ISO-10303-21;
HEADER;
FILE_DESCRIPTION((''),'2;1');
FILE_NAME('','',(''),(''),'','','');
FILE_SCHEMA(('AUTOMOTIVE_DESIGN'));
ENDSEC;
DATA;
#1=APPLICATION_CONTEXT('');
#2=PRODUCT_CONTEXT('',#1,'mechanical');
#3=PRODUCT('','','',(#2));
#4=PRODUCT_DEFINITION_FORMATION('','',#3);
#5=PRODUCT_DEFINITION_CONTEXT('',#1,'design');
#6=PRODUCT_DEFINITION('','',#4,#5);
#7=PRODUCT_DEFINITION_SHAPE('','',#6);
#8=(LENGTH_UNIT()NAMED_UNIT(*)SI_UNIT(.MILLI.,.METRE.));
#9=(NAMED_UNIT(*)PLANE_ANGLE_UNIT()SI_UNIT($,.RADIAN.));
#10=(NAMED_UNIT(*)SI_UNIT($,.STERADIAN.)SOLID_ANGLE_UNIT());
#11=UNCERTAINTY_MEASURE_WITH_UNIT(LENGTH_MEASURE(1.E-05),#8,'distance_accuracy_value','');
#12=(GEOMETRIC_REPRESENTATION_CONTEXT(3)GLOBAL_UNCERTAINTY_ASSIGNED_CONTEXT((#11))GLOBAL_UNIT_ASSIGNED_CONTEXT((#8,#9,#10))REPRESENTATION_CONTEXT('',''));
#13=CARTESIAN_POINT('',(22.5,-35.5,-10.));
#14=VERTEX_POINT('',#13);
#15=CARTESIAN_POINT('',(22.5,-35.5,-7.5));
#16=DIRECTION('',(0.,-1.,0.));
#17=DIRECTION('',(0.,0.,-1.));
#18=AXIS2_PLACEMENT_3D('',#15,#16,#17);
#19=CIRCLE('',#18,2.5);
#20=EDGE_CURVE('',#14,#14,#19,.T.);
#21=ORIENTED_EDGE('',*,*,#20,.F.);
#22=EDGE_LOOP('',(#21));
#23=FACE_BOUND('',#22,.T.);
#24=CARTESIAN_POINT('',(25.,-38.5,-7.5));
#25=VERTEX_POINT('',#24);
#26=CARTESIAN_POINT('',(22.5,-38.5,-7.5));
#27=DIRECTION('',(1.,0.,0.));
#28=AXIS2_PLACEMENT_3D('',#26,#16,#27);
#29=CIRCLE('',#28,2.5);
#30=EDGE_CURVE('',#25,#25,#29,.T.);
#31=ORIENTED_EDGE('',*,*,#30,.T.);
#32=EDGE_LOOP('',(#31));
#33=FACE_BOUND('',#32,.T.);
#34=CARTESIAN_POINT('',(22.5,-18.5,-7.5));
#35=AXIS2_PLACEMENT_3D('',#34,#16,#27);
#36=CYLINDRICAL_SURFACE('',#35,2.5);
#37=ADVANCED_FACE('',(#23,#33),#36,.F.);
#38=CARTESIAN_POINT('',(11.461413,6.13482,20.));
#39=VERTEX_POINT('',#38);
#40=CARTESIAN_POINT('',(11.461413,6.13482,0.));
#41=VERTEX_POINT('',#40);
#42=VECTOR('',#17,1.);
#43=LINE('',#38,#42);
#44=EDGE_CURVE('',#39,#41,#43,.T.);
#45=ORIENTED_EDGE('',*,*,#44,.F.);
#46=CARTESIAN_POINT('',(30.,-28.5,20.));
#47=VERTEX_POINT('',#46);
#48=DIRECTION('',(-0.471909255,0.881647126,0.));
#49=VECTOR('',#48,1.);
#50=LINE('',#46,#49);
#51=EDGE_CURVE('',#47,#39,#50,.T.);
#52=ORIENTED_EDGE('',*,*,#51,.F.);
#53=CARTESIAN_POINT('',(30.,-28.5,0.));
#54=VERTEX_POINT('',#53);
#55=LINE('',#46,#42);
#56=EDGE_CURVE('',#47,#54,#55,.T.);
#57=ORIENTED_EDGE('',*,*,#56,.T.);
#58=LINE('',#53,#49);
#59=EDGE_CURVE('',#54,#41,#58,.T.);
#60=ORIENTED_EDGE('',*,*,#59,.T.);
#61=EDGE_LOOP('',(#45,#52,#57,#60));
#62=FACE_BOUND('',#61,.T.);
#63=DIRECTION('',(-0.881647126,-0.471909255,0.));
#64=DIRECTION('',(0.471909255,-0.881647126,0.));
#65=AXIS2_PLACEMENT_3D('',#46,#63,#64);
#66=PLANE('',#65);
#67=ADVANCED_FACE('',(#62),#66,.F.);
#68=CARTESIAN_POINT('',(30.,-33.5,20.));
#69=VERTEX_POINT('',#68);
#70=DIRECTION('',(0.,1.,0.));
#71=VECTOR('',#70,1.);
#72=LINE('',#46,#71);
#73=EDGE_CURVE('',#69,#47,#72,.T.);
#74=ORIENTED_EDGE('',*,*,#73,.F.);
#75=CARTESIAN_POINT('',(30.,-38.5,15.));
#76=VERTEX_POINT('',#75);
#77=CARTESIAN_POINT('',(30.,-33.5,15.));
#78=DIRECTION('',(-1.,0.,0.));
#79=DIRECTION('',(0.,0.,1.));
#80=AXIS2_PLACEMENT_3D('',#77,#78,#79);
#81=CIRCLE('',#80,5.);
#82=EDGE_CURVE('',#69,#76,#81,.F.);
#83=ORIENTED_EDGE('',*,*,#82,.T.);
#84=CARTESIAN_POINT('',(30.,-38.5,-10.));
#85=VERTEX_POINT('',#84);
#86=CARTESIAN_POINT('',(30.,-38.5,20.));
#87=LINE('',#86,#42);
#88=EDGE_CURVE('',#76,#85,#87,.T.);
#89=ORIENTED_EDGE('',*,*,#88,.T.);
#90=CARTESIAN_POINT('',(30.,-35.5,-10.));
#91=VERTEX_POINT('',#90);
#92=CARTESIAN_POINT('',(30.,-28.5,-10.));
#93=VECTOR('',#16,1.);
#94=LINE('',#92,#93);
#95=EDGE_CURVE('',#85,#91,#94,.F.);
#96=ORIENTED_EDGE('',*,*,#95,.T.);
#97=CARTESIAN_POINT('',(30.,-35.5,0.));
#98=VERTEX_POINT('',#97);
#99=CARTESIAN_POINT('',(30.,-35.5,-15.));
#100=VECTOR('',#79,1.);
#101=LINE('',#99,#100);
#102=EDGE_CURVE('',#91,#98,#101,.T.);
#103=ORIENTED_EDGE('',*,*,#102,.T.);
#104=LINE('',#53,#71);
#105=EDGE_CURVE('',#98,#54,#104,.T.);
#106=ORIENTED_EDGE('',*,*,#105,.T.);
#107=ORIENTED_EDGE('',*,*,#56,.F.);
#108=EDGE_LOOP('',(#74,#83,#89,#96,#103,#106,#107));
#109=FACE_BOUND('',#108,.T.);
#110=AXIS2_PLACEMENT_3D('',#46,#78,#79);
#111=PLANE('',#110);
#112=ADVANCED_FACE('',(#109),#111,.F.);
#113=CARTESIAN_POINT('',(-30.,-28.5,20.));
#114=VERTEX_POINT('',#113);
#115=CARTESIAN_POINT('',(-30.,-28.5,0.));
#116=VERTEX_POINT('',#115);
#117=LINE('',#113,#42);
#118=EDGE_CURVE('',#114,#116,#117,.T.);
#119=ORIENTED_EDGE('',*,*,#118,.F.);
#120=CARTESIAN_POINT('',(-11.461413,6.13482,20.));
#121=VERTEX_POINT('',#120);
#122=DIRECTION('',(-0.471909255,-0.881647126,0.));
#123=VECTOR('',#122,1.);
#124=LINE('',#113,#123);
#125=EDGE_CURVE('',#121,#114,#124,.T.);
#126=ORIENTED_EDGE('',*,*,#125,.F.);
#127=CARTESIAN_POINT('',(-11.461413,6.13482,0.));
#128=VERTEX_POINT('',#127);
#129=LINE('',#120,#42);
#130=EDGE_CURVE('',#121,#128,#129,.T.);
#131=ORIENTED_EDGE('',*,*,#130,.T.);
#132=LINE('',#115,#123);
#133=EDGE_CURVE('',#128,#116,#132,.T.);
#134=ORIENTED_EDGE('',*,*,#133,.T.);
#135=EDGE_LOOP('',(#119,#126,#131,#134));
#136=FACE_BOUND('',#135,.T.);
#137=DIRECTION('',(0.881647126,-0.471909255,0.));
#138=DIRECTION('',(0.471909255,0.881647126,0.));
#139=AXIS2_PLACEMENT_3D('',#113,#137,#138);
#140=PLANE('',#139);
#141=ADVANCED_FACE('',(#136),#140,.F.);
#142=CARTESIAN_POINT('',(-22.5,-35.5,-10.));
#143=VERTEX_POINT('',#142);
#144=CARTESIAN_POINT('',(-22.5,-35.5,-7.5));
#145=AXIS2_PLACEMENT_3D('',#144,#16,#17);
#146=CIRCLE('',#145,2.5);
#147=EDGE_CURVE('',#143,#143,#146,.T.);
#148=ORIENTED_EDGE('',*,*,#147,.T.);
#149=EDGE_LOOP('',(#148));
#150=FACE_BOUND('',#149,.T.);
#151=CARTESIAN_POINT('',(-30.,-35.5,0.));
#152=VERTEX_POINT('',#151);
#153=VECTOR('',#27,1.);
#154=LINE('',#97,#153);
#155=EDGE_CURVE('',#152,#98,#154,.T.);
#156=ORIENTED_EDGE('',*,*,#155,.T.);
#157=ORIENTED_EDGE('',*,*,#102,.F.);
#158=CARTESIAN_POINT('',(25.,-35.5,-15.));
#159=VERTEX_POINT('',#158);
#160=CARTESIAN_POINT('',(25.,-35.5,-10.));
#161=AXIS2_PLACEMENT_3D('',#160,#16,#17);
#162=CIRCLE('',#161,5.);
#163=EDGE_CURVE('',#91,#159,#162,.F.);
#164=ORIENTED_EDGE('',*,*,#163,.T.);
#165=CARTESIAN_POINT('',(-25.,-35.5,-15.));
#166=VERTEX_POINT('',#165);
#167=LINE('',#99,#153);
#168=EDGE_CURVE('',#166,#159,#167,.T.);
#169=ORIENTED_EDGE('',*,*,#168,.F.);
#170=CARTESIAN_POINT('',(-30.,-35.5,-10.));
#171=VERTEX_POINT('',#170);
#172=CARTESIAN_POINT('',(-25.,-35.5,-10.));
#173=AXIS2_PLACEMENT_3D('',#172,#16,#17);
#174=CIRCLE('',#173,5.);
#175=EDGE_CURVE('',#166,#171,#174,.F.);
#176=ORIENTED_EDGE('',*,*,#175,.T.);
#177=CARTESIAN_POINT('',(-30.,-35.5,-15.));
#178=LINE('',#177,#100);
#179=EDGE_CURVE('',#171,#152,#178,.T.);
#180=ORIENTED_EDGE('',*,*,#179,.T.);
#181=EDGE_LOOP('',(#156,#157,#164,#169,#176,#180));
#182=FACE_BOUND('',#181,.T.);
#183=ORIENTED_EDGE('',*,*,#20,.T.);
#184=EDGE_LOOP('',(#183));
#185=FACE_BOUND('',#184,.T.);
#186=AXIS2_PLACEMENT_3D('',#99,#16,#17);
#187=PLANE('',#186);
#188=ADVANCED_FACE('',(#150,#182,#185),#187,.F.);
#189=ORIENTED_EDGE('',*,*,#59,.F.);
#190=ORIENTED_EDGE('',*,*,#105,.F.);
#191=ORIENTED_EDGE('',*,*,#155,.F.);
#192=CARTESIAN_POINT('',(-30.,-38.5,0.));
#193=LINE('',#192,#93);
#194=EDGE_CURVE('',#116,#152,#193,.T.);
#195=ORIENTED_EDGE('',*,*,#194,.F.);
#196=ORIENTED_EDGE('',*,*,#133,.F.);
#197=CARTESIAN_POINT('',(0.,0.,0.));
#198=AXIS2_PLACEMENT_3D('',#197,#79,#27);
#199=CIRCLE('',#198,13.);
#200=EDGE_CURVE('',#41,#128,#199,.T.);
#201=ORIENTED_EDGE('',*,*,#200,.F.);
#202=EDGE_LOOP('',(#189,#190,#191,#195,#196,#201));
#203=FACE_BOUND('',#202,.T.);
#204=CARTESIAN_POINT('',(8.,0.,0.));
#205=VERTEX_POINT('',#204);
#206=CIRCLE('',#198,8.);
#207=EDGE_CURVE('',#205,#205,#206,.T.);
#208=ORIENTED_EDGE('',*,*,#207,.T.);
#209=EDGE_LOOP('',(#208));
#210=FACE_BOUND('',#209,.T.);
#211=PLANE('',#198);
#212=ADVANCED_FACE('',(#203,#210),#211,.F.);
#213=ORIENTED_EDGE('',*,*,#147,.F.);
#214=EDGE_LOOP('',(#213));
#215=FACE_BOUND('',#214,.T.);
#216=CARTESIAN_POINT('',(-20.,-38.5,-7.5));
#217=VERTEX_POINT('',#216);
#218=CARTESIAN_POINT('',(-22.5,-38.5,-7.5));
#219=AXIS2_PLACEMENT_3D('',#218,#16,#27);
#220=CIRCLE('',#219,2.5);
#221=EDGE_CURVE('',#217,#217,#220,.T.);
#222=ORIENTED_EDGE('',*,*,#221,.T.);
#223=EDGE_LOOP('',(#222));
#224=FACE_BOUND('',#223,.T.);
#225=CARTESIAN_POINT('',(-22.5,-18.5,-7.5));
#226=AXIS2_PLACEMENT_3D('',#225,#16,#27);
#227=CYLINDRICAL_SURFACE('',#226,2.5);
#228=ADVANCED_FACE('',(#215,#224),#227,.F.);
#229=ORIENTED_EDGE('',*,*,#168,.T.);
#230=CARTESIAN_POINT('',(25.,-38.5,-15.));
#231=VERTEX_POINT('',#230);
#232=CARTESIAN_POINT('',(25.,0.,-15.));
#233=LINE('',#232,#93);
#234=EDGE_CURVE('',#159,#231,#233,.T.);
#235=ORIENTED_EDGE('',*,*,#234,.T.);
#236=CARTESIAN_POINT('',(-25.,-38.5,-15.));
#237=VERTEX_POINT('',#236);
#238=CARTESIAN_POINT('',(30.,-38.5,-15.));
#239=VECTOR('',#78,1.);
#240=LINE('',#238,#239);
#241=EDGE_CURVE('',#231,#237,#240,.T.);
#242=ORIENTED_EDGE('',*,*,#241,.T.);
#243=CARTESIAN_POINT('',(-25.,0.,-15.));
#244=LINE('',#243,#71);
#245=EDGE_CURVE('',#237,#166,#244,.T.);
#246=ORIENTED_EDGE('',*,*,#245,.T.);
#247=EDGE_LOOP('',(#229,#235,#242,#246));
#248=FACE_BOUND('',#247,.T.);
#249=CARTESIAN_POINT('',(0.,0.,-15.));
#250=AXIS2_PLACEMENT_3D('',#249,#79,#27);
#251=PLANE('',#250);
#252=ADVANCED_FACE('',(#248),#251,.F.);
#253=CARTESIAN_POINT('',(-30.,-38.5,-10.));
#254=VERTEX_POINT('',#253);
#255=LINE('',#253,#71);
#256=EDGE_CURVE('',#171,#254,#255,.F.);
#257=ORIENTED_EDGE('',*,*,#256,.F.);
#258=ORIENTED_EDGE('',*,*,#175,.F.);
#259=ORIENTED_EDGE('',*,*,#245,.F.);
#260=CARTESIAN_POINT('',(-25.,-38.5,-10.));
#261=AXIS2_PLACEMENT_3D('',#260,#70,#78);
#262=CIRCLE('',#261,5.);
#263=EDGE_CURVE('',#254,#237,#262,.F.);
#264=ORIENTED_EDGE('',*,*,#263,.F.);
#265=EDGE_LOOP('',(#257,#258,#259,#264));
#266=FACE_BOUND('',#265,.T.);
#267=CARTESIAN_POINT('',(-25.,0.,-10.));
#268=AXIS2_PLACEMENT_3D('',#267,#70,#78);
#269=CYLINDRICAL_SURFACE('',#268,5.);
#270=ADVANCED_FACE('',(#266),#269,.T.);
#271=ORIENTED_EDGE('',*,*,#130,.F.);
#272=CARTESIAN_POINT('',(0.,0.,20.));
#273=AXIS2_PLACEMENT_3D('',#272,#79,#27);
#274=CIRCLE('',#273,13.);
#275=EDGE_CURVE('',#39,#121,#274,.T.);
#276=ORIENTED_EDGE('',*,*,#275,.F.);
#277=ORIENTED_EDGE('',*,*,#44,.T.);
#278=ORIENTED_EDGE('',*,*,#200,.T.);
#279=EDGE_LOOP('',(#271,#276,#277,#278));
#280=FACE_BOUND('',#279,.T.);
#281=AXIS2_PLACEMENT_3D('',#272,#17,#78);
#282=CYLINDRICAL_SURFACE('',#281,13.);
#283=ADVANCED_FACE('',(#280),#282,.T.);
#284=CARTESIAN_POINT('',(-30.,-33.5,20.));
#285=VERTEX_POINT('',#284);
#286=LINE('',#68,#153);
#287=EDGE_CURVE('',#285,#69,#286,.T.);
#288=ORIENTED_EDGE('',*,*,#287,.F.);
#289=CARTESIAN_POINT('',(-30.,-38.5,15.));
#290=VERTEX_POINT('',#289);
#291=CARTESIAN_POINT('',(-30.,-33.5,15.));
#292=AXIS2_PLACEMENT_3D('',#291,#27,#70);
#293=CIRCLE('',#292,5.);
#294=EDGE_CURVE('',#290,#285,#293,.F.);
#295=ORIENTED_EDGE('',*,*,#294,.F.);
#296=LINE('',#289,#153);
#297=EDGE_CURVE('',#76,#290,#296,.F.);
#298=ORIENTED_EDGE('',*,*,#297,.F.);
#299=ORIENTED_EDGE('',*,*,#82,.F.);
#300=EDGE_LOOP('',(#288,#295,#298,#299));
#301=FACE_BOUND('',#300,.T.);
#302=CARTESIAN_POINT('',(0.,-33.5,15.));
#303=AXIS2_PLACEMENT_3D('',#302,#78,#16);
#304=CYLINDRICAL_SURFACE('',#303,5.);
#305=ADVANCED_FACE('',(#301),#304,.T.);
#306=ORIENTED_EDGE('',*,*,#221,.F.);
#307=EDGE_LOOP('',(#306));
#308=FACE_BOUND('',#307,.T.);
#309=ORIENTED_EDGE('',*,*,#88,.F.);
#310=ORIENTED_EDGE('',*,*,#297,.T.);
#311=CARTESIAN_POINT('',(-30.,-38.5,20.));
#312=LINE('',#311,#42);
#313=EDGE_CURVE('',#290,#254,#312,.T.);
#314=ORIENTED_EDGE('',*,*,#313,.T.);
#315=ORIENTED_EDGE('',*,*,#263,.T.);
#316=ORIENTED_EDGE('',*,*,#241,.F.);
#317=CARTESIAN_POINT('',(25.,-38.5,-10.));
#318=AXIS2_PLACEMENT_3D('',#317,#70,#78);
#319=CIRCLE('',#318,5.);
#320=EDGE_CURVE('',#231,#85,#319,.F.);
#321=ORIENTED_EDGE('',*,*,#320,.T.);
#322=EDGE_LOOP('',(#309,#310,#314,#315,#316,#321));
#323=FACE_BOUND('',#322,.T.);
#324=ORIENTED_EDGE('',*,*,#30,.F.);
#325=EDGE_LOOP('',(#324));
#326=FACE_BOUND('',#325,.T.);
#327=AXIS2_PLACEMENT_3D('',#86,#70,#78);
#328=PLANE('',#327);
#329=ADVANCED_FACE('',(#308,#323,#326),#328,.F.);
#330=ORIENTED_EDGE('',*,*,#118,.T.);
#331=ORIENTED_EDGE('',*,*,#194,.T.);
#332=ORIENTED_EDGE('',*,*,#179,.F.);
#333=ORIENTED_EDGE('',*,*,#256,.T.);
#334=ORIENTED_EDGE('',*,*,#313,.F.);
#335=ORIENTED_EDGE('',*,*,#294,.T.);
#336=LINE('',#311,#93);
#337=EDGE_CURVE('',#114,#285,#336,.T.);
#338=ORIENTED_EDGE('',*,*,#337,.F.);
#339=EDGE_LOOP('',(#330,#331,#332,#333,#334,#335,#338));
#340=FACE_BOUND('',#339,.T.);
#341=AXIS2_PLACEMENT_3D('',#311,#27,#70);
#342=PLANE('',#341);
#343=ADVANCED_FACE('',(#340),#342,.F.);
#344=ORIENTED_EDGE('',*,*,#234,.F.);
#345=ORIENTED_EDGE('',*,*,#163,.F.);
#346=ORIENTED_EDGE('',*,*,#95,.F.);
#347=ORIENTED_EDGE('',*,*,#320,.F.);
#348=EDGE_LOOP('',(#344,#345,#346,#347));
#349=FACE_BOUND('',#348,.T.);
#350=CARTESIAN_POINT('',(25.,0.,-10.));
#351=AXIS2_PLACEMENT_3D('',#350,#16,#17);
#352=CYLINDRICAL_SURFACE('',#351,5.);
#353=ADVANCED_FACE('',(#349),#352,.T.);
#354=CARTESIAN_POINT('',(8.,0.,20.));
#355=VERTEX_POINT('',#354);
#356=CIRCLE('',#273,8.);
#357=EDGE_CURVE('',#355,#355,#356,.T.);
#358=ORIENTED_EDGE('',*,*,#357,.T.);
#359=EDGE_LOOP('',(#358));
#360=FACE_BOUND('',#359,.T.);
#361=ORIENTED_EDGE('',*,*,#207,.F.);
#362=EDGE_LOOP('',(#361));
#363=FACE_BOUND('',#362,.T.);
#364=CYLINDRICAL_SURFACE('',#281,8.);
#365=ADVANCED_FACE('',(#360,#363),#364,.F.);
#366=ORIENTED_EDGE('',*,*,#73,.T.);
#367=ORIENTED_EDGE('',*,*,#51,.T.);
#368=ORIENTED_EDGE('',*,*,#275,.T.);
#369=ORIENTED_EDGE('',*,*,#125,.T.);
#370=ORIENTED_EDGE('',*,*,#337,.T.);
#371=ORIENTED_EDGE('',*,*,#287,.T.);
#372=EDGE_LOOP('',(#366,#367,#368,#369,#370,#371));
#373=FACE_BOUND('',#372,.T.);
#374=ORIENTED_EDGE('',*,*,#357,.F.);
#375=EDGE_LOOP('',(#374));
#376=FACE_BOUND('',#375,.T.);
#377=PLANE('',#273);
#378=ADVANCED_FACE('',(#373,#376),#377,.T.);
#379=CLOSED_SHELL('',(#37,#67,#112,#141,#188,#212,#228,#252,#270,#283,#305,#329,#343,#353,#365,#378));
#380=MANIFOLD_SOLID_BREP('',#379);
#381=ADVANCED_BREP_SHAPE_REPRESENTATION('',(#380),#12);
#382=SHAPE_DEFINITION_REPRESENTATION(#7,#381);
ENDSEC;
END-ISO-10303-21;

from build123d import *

# Parameters (mm, degrees)
SKETCH1_R           = 8
BOSS_EXTRUDE1_DEPTH = 20
SKETCH2_W           = 60
SKETCH2_H           = 3
BOSS_EXTRUDE2_DEPTH = 15
SKETCH3_R           = 2.5
CUT_EXTRUDE1_DEPTH  = 20
FILLET1_R           = 5


with BuildPart() as part:
    # Sketch1 → Boss-Extrude1 (new body)
    with BuildSketch(Plane.XY):
        with BuildLine():
            Line((30, -28.5), (30, -38.5))
            Line((30, -38.5), (-30, -38.5))
            Line((-30, -38.5), (-30, -28.5))
            Line((-30, -28.5), (-11.461412637, 6.13482032))
            ThreePointArc((-11.461412637, 6.13482032), (0, 13), (11.461412637, 6.13482032))
            Line((11.461412637, 6.13482032), (30, -28.5))
        make_face()
        Circle(SKETCH1_R, mode=Mode.SUBTRACT)
    extrude(amount=BOSS_EXTRUDE1_DEPTH)

    # Sketch2 → Boss-Extrude2 (add)
    with BuildSketch(Plane(origin=(0, 0, 0), x_dir=(-1, 0, 0), z_dir=(0, 0, -1))):
        with Locations((0, -37)):
            Rectangle(SKETCH2_W, SKETCH2_H)
    extrude(amount=BOSS_EXTRUDE2_DEPTH)

    # Sketch3 → Cut-Extrude1 (cut)
    with BuildSketch(Plane.XZ.offset(38.5)):
        with Locations((22.5, -7.5)):
            Circle(SKETCH3_R)
        with Locations((-22.5, -7.5)):
            Circle(SKETCH3_R)
    extrude(amount=-CUT_EXTRUDE1_DEPTH, mode=Mode.SUBTRACT)

    # Fillet1
    fillet1_edges = [part.edges().sort_by_distance(p)[0] for p in [
        (30, -37, -15),
        (-30, -37, -15),
        (0, -38.5, 20),
    ]]
    fillet(fillet1_edges, radius=FILLET1_R)


solid = part.part
